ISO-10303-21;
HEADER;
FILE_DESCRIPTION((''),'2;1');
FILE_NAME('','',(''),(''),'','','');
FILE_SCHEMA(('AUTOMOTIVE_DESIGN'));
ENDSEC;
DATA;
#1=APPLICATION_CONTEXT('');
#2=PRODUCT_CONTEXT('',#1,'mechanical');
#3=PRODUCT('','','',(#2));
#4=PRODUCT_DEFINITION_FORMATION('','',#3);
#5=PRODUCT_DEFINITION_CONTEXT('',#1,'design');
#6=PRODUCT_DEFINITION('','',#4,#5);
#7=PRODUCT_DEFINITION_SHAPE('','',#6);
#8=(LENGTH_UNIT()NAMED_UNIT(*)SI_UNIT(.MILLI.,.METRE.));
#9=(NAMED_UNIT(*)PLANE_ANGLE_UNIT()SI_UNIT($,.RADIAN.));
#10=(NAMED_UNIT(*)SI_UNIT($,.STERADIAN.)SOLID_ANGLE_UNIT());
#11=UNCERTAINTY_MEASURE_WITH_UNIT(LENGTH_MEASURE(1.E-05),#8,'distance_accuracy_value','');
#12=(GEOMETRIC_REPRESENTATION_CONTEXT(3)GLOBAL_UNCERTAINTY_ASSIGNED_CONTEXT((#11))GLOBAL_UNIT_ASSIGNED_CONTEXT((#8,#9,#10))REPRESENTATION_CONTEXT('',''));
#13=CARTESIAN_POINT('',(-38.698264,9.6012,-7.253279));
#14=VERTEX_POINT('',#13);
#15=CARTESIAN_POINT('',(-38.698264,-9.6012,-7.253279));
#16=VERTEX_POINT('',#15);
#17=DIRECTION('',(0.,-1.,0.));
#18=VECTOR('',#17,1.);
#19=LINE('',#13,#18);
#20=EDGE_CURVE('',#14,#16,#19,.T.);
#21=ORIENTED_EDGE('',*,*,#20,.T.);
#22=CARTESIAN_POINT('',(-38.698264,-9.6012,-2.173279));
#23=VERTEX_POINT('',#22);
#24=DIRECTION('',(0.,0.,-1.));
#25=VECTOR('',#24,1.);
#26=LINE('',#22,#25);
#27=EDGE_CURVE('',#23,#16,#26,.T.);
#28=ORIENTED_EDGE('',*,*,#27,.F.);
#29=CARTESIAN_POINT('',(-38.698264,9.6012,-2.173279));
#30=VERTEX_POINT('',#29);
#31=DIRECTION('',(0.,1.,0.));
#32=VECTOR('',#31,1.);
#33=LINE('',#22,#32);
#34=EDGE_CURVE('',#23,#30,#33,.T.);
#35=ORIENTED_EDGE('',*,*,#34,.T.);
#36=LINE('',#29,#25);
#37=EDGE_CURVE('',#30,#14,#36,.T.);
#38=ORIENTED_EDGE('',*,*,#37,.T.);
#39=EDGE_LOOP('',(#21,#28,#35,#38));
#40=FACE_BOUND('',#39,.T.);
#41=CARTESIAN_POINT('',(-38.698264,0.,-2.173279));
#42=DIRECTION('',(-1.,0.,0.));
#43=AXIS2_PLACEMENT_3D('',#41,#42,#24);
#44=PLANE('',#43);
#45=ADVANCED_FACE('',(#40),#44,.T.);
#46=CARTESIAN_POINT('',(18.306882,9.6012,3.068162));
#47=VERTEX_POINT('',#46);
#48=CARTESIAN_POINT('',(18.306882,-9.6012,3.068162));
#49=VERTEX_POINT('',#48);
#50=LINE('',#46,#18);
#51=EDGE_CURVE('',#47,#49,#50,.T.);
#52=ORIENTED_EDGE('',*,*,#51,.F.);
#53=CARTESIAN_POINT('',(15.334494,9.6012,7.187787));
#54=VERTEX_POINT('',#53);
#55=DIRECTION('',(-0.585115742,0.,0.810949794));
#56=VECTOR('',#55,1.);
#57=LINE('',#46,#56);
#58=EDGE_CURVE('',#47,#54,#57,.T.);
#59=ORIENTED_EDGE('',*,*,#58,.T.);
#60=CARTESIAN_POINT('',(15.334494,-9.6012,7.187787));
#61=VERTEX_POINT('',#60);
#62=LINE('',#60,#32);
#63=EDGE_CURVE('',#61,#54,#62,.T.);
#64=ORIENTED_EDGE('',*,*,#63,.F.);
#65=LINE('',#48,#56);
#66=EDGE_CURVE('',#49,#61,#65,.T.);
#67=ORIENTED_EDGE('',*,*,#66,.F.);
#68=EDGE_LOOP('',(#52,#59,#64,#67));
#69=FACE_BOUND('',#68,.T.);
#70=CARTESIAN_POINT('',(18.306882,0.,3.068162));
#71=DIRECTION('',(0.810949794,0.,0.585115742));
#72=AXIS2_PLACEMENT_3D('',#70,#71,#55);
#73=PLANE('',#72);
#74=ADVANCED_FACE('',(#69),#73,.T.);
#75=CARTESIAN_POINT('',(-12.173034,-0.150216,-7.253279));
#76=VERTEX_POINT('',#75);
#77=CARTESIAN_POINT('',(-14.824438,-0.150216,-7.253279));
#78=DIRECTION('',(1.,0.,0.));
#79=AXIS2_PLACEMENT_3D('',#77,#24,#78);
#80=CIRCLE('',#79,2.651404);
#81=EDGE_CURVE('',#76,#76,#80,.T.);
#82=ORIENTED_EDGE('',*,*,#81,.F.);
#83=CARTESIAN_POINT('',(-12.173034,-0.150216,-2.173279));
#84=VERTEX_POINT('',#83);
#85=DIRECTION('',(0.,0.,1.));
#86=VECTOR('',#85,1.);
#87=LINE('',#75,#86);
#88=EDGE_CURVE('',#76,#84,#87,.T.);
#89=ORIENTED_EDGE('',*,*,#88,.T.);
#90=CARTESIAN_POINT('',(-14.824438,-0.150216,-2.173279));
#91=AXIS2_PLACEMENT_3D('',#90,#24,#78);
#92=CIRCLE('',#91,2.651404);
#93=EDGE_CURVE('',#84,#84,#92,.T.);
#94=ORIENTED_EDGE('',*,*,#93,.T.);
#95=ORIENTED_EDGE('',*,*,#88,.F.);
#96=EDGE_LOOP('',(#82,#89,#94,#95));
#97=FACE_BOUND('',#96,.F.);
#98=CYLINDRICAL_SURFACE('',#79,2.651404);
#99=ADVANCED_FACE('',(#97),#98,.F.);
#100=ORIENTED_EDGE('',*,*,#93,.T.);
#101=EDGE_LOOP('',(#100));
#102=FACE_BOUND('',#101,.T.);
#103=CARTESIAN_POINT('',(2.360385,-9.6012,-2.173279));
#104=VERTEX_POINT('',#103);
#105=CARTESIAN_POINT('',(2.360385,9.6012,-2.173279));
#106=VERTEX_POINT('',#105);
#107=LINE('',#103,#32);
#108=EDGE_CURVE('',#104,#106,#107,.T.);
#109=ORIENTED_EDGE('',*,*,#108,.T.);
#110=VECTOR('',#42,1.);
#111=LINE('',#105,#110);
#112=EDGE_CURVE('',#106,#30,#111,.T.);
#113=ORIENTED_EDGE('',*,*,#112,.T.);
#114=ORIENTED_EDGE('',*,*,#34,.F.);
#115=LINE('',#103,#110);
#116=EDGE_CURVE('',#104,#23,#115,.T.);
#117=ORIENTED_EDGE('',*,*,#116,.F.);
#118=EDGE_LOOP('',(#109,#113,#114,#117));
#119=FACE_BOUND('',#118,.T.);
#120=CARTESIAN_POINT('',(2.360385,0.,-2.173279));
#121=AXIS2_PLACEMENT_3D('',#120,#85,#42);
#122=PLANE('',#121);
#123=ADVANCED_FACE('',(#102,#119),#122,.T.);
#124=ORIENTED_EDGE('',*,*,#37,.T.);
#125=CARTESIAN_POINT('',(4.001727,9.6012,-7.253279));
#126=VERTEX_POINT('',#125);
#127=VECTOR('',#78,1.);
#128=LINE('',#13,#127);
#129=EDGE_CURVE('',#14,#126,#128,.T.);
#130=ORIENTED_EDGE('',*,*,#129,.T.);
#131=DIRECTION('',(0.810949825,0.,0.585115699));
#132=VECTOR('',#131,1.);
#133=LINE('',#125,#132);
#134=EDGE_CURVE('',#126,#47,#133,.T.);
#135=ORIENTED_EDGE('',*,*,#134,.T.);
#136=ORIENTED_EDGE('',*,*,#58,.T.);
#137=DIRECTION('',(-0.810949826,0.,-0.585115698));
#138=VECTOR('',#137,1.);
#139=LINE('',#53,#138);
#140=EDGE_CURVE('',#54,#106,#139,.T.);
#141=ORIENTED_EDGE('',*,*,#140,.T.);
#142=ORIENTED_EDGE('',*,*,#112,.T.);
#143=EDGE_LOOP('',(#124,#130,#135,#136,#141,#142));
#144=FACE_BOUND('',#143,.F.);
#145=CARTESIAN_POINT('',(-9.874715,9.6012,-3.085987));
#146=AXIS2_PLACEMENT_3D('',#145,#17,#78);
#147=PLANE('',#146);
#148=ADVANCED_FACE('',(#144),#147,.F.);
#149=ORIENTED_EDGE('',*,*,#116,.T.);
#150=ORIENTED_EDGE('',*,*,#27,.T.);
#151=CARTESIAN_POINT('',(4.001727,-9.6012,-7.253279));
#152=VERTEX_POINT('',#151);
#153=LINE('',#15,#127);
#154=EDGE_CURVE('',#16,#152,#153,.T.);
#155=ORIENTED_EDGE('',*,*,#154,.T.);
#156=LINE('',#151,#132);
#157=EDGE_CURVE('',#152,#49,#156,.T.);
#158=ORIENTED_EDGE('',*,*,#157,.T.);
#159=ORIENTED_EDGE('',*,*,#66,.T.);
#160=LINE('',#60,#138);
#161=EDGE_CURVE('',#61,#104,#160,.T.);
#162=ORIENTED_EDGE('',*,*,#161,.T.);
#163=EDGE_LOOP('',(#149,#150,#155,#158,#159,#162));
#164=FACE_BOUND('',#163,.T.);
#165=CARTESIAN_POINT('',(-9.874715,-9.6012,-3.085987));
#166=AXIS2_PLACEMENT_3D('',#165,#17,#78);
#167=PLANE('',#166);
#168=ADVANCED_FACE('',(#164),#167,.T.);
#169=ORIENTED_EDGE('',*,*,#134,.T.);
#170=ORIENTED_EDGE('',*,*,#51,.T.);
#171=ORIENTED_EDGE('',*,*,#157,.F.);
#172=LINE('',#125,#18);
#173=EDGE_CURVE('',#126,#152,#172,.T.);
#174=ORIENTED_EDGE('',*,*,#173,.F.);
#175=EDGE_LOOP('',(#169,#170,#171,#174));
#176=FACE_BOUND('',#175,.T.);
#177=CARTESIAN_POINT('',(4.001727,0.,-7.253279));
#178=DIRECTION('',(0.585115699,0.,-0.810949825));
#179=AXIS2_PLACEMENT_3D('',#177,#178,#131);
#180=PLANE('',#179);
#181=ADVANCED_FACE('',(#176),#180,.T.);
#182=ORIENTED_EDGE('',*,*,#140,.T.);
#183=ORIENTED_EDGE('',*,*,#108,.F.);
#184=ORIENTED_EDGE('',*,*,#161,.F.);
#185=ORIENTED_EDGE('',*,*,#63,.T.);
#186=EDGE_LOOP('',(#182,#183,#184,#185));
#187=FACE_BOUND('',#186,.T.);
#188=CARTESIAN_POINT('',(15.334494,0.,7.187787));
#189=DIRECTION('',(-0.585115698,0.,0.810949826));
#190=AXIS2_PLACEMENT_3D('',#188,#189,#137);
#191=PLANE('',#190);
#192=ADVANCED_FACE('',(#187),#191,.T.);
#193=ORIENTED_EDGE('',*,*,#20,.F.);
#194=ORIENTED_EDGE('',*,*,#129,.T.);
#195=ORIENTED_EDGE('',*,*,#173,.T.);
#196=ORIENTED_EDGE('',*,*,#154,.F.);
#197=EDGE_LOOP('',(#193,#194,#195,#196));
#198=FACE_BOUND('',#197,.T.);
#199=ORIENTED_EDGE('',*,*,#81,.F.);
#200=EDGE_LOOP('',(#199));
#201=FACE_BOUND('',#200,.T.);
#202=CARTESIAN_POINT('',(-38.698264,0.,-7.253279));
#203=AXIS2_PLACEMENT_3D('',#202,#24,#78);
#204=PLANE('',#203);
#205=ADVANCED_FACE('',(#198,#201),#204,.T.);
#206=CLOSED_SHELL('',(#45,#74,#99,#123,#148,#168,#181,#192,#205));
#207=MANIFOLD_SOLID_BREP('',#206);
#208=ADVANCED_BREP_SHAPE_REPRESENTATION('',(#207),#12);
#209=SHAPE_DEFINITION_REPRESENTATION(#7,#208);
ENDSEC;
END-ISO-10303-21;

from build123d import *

# Parameters (mm, degrees)
F2_DEPTH = 9.6012
F4_R     = 2.651404
F5_DEPTH = 14.442066


with BuildPart() as f2:
    # F0 (on Front) → F2 (new body, symmetric)
    with BuildSketch(Plane.XZ):
        Polygon((-38.698264, -2.173279), (-38.698264, -7.253279), (4.001727, -7.253279), (18.306882, 3.068162), (15.334494, 7.187787), (2.360385, -2.173279), align=None)
    extrude(amount=F2_DEPTH, both=True)

    # F4 (on face) → F5 (cut, through all)
    with BuildSketch(Plane(origin=(0, 0, -7.253279), x_dir=(1, 0, 0), z_dir=(0, 0, -1))):
        with Locations((-14.824438, 0.150216)):
            Circle(F4_R)
    extrude(amount=-F5_DEPTH, mode=Mode.SUBTRACT)


solid = f2.part
